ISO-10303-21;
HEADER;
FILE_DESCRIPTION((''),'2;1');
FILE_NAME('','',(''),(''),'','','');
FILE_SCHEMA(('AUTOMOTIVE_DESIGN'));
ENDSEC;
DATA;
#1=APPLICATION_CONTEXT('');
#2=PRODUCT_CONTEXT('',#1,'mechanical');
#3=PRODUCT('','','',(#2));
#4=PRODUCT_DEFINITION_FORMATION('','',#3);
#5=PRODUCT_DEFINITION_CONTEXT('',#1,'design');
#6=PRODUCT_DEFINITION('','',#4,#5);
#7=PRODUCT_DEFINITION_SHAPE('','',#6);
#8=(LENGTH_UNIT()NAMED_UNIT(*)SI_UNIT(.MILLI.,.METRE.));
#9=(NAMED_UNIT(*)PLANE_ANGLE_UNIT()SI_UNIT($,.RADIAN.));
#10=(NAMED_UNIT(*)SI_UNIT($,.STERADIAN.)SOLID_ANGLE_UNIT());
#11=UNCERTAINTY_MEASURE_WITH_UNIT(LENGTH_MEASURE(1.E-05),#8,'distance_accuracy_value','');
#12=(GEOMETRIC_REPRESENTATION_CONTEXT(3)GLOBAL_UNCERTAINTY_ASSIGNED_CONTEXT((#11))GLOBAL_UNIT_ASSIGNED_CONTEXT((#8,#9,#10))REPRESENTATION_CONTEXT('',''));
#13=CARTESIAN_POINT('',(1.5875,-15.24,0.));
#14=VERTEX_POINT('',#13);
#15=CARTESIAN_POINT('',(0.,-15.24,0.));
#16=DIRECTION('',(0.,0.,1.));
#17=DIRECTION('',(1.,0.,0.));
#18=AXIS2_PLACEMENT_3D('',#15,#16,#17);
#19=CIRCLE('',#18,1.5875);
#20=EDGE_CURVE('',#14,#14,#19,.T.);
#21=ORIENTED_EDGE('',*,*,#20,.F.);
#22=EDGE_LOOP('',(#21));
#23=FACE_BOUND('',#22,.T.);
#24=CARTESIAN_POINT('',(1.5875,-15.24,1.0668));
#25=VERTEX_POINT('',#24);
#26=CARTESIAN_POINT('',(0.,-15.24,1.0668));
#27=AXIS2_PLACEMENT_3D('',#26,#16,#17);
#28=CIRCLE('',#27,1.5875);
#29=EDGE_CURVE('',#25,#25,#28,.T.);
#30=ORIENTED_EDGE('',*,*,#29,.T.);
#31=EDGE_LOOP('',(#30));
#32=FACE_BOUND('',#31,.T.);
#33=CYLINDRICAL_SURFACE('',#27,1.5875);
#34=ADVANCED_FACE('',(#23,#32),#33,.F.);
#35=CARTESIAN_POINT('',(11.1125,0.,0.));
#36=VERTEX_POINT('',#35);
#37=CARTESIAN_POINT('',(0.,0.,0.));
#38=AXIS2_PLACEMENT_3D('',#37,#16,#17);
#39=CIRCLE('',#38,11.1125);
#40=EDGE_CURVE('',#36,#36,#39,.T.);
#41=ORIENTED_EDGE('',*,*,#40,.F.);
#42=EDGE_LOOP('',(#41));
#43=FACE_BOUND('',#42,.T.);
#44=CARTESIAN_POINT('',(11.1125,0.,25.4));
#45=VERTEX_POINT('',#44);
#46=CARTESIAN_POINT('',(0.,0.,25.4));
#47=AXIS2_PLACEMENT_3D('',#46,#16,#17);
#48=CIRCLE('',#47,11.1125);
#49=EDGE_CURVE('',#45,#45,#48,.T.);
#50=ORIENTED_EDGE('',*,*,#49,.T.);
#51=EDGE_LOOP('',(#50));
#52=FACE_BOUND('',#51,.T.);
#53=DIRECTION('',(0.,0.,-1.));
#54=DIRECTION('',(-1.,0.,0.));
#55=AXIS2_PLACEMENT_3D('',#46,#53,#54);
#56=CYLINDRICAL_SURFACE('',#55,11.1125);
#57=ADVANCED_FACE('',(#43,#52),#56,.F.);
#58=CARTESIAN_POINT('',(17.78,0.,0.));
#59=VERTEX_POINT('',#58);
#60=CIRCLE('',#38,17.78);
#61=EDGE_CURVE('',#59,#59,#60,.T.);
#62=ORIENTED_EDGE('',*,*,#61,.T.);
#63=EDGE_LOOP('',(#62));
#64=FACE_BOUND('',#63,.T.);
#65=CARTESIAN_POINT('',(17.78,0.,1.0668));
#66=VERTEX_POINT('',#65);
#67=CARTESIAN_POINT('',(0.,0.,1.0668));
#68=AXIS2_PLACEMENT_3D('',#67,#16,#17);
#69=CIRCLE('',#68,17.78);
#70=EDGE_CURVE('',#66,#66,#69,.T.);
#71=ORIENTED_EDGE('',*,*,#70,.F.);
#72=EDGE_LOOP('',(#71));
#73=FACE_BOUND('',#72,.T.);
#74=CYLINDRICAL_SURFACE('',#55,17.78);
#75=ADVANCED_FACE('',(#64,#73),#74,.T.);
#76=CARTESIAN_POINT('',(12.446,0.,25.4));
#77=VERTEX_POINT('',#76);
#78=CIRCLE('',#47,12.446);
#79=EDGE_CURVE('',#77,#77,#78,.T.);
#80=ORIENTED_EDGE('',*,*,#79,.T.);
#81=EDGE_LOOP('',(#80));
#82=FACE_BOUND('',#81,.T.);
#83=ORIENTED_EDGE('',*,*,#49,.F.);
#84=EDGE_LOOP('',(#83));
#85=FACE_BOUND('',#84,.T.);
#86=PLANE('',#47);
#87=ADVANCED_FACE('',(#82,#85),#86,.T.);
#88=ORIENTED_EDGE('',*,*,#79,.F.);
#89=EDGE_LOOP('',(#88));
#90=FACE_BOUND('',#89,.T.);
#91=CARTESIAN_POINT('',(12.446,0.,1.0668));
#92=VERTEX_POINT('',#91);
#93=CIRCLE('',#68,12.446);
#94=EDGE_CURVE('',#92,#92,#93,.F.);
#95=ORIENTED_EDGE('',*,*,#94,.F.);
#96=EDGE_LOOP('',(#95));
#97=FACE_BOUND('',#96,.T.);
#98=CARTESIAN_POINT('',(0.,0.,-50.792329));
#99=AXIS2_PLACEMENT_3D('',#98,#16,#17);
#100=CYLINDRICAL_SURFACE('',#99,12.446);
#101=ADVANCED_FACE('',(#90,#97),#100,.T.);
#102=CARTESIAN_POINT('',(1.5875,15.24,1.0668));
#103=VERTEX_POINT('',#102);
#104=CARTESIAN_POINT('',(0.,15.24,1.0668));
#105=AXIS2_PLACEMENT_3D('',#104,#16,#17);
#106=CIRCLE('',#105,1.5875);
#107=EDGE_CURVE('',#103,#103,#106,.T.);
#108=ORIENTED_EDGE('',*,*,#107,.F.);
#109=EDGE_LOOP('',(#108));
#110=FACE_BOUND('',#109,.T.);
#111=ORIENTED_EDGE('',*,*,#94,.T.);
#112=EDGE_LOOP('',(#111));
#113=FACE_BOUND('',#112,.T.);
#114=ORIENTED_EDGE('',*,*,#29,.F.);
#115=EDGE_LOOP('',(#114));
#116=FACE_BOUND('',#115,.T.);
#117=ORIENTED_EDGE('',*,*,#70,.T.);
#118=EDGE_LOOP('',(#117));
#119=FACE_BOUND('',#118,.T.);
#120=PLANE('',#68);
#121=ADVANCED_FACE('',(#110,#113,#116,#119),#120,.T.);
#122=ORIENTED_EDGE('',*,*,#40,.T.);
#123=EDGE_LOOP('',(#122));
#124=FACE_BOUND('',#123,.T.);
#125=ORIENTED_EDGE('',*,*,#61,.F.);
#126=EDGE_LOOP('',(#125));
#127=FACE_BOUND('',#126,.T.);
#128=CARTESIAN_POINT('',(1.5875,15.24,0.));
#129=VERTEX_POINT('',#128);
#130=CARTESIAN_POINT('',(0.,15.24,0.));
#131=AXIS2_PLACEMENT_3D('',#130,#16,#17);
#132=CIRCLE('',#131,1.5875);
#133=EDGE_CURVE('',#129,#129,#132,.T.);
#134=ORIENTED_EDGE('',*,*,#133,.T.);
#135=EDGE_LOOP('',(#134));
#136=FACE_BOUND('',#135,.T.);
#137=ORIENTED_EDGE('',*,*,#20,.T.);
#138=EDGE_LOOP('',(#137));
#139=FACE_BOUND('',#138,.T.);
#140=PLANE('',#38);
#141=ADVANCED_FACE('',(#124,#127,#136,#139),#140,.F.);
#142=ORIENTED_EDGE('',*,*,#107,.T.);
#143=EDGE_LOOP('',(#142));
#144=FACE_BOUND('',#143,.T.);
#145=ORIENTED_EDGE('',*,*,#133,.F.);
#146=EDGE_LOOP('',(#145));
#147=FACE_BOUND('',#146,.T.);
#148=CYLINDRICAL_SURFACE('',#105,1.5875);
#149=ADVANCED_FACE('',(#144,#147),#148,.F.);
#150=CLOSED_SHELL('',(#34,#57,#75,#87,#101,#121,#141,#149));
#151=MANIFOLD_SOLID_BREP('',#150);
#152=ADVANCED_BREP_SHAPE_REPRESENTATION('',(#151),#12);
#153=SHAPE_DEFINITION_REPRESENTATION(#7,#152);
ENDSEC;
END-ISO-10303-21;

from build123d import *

# Parameters (mm, degrees)
SKETCH1_R                    = 17.78
SKETCH1_R_2                  = 11.1125
BOSS_EXTRUDE1_DEPTH          = 25.4
CUT_EXTRUDE1_START           = -24.3332
SKETCH2_OUTSIDE_W            = 48.828
SKETCH2_OUTSIDE_H            = 48.828
SKETCH2_OUTSIDE_R            = 12.446
CUT_EXTRUDE1_DEPTH           = 24.3332
F_1_8_0_125_DIAMETER_HOLE1_D = 3.175


with BuildPart() as part:
    # Sketch1 → Boss-Extrude1 (new body)
    with BuildSketch(Plane.XY):
        Circle(SKETCH1_R)
        Circle(SKETCH1_R_2, mode=Mode.SUBTRACT)
    extrude(amount=BOSS_EXTRUDE1_DEPTH)

    # Sketch2 outside → Cut-Extrude1 (cut)
    with BuildSketch(Plane.XY.offset(25.4).offset(CUT_EXTRUDE1_START)):
        Rectangle(SKETCH2_OUTSIDE_W, SKETCH2_OUTSIDE_H)
        Circle(SKETCH2_OUTSIDE_R, mode=Mode.SUBTRACT)
    extrude(amount=CUT_EXTRUDE1_DEPTH, mode=Mode.SUBTRACT)

    # 1/8 (0.125) Diameter Hole1 (through all)
    with Locations(Plane.XY.offset(1.0668)):
        with Locations((0, 15.24)):
            f_1_8_0_125_diameter_hole1 = Hole(F_1_8_0_125_DIAMETER_HOLE1_D / 2)

    # Mirror1: 1/8 (0.125) Diameter Hole1 across plane
    add(f_1_8_0_125_diameter_hole1.mirror(Plane.ZX), mode=Mode.SUBTRACT)


solid = part.part
